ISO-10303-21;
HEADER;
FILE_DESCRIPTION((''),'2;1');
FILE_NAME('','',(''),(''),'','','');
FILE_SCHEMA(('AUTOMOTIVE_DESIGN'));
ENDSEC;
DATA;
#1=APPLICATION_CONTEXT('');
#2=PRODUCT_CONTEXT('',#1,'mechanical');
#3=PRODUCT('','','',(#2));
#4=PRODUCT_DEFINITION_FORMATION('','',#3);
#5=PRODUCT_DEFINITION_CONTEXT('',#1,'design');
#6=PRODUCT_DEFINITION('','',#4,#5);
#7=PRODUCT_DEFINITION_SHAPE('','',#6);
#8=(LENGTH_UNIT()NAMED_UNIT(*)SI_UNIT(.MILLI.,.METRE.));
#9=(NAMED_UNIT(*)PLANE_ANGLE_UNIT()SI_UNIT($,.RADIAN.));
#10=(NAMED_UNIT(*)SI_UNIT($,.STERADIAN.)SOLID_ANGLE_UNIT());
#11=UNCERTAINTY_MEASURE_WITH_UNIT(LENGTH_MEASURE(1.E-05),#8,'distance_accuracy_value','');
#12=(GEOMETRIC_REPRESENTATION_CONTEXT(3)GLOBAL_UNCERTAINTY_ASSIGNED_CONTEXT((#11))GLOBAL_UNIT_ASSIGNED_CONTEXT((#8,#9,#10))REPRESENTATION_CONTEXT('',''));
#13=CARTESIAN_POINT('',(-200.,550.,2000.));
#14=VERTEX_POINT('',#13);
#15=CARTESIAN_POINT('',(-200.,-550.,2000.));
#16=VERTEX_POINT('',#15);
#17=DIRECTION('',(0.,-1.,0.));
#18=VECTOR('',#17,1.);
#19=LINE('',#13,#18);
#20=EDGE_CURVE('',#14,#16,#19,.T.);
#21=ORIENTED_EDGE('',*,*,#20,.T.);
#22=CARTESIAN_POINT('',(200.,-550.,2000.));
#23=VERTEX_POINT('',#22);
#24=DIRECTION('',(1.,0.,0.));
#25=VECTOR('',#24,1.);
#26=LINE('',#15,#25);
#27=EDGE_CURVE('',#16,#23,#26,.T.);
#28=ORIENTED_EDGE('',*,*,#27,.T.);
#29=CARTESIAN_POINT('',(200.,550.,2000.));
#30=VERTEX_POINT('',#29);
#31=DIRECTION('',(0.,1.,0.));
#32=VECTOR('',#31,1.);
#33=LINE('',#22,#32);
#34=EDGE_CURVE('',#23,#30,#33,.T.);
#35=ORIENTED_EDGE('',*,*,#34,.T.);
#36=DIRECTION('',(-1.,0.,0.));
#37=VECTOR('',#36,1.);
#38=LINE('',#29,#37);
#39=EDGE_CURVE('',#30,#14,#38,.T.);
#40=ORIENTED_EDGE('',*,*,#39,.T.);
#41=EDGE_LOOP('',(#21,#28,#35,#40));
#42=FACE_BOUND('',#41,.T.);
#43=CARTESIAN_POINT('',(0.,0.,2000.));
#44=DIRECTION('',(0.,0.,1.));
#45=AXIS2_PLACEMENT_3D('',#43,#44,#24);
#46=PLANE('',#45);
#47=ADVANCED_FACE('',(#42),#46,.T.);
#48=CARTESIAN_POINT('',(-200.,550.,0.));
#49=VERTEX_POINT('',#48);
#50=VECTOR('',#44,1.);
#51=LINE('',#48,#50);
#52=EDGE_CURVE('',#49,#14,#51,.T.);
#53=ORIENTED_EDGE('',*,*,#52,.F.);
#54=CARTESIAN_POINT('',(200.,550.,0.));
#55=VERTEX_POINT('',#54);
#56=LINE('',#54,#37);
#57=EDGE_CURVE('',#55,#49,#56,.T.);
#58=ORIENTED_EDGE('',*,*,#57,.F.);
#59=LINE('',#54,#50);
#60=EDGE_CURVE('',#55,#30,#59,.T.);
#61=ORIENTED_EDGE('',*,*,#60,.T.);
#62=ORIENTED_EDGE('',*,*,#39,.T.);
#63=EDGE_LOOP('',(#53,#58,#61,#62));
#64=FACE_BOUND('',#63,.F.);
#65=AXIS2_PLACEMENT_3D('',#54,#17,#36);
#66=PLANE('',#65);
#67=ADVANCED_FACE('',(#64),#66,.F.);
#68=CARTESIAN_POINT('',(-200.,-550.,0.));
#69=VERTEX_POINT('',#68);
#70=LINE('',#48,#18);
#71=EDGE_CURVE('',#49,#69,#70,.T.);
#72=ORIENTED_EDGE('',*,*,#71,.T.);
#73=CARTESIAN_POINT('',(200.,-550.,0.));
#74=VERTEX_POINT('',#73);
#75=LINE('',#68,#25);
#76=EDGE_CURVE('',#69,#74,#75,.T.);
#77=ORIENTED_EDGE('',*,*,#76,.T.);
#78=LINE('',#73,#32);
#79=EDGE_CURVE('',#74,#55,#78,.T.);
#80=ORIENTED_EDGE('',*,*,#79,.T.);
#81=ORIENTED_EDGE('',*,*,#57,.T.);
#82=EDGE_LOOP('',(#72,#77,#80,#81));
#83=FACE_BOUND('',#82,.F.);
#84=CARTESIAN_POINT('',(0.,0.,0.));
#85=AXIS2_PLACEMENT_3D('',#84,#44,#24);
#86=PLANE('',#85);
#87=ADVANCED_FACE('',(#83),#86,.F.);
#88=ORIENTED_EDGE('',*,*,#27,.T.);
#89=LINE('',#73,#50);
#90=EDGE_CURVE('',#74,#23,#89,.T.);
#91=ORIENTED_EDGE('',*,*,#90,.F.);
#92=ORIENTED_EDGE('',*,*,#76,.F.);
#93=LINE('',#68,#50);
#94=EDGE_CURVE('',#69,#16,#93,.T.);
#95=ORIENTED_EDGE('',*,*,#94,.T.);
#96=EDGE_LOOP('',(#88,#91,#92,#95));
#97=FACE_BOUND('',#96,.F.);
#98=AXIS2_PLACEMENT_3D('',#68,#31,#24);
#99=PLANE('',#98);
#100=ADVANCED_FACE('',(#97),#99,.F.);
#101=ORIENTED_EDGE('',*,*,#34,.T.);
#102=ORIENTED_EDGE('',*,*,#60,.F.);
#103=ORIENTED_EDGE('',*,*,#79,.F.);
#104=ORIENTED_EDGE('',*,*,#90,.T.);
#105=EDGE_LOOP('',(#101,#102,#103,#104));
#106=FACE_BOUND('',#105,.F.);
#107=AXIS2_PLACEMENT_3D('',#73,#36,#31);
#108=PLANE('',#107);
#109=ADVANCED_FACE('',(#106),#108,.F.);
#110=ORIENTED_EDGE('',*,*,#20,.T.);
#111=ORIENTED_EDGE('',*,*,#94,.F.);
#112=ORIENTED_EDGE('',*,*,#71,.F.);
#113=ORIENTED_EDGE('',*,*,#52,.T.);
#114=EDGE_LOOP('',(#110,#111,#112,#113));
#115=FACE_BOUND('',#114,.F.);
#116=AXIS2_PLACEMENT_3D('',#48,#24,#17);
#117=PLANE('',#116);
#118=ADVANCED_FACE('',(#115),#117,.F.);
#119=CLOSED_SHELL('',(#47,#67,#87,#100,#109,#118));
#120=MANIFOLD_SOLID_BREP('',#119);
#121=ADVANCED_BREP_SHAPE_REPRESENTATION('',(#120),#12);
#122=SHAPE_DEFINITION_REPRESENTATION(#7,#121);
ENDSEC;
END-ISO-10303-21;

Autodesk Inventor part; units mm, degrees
ref_plane "YZ Plane" through (0, 0, 0) normal (1, 0, 0) x (0, 1, 0)
ref_plane "XZ Plane" through (0, 0, 0) normal (0, 1, 0) x (-1, 0, 0)
ref_plane "XY Plane" through (0, 0, 0) normal (0, 0, 1) x (1, 0, 0)
sketch "Sketch1" plane through (0, 0, 0) normal (0, 0, 1) x (1, 0, 0)
  line L0 (-200, -550) -> (200, -550)
  line L1 (200, -550) -> (200, 550)
  line L2 (200, 550) -> (-200, 550)
  line L3 (-200, 550) -> (-200, -550)
  line L4 (200, -550) -> (-200, 550) construction
  point P0 (0, 0)
  point P1 (0, 0)
  dimension "d0" = 1100
  dimension "d1" = 400
extrude "Extrusion1" add sketch "Sketch1" along normal blind 2000
equation "\"d0\" = Длина"
equation "\"d1\" = Ширина"
equation "\"d2\" = Высота"
equation "\"Длина\" = 1100"
equation "\"Ширина\" = 400"
equation "\"Высота\" = 2000"
properties part number "Control box №1"
